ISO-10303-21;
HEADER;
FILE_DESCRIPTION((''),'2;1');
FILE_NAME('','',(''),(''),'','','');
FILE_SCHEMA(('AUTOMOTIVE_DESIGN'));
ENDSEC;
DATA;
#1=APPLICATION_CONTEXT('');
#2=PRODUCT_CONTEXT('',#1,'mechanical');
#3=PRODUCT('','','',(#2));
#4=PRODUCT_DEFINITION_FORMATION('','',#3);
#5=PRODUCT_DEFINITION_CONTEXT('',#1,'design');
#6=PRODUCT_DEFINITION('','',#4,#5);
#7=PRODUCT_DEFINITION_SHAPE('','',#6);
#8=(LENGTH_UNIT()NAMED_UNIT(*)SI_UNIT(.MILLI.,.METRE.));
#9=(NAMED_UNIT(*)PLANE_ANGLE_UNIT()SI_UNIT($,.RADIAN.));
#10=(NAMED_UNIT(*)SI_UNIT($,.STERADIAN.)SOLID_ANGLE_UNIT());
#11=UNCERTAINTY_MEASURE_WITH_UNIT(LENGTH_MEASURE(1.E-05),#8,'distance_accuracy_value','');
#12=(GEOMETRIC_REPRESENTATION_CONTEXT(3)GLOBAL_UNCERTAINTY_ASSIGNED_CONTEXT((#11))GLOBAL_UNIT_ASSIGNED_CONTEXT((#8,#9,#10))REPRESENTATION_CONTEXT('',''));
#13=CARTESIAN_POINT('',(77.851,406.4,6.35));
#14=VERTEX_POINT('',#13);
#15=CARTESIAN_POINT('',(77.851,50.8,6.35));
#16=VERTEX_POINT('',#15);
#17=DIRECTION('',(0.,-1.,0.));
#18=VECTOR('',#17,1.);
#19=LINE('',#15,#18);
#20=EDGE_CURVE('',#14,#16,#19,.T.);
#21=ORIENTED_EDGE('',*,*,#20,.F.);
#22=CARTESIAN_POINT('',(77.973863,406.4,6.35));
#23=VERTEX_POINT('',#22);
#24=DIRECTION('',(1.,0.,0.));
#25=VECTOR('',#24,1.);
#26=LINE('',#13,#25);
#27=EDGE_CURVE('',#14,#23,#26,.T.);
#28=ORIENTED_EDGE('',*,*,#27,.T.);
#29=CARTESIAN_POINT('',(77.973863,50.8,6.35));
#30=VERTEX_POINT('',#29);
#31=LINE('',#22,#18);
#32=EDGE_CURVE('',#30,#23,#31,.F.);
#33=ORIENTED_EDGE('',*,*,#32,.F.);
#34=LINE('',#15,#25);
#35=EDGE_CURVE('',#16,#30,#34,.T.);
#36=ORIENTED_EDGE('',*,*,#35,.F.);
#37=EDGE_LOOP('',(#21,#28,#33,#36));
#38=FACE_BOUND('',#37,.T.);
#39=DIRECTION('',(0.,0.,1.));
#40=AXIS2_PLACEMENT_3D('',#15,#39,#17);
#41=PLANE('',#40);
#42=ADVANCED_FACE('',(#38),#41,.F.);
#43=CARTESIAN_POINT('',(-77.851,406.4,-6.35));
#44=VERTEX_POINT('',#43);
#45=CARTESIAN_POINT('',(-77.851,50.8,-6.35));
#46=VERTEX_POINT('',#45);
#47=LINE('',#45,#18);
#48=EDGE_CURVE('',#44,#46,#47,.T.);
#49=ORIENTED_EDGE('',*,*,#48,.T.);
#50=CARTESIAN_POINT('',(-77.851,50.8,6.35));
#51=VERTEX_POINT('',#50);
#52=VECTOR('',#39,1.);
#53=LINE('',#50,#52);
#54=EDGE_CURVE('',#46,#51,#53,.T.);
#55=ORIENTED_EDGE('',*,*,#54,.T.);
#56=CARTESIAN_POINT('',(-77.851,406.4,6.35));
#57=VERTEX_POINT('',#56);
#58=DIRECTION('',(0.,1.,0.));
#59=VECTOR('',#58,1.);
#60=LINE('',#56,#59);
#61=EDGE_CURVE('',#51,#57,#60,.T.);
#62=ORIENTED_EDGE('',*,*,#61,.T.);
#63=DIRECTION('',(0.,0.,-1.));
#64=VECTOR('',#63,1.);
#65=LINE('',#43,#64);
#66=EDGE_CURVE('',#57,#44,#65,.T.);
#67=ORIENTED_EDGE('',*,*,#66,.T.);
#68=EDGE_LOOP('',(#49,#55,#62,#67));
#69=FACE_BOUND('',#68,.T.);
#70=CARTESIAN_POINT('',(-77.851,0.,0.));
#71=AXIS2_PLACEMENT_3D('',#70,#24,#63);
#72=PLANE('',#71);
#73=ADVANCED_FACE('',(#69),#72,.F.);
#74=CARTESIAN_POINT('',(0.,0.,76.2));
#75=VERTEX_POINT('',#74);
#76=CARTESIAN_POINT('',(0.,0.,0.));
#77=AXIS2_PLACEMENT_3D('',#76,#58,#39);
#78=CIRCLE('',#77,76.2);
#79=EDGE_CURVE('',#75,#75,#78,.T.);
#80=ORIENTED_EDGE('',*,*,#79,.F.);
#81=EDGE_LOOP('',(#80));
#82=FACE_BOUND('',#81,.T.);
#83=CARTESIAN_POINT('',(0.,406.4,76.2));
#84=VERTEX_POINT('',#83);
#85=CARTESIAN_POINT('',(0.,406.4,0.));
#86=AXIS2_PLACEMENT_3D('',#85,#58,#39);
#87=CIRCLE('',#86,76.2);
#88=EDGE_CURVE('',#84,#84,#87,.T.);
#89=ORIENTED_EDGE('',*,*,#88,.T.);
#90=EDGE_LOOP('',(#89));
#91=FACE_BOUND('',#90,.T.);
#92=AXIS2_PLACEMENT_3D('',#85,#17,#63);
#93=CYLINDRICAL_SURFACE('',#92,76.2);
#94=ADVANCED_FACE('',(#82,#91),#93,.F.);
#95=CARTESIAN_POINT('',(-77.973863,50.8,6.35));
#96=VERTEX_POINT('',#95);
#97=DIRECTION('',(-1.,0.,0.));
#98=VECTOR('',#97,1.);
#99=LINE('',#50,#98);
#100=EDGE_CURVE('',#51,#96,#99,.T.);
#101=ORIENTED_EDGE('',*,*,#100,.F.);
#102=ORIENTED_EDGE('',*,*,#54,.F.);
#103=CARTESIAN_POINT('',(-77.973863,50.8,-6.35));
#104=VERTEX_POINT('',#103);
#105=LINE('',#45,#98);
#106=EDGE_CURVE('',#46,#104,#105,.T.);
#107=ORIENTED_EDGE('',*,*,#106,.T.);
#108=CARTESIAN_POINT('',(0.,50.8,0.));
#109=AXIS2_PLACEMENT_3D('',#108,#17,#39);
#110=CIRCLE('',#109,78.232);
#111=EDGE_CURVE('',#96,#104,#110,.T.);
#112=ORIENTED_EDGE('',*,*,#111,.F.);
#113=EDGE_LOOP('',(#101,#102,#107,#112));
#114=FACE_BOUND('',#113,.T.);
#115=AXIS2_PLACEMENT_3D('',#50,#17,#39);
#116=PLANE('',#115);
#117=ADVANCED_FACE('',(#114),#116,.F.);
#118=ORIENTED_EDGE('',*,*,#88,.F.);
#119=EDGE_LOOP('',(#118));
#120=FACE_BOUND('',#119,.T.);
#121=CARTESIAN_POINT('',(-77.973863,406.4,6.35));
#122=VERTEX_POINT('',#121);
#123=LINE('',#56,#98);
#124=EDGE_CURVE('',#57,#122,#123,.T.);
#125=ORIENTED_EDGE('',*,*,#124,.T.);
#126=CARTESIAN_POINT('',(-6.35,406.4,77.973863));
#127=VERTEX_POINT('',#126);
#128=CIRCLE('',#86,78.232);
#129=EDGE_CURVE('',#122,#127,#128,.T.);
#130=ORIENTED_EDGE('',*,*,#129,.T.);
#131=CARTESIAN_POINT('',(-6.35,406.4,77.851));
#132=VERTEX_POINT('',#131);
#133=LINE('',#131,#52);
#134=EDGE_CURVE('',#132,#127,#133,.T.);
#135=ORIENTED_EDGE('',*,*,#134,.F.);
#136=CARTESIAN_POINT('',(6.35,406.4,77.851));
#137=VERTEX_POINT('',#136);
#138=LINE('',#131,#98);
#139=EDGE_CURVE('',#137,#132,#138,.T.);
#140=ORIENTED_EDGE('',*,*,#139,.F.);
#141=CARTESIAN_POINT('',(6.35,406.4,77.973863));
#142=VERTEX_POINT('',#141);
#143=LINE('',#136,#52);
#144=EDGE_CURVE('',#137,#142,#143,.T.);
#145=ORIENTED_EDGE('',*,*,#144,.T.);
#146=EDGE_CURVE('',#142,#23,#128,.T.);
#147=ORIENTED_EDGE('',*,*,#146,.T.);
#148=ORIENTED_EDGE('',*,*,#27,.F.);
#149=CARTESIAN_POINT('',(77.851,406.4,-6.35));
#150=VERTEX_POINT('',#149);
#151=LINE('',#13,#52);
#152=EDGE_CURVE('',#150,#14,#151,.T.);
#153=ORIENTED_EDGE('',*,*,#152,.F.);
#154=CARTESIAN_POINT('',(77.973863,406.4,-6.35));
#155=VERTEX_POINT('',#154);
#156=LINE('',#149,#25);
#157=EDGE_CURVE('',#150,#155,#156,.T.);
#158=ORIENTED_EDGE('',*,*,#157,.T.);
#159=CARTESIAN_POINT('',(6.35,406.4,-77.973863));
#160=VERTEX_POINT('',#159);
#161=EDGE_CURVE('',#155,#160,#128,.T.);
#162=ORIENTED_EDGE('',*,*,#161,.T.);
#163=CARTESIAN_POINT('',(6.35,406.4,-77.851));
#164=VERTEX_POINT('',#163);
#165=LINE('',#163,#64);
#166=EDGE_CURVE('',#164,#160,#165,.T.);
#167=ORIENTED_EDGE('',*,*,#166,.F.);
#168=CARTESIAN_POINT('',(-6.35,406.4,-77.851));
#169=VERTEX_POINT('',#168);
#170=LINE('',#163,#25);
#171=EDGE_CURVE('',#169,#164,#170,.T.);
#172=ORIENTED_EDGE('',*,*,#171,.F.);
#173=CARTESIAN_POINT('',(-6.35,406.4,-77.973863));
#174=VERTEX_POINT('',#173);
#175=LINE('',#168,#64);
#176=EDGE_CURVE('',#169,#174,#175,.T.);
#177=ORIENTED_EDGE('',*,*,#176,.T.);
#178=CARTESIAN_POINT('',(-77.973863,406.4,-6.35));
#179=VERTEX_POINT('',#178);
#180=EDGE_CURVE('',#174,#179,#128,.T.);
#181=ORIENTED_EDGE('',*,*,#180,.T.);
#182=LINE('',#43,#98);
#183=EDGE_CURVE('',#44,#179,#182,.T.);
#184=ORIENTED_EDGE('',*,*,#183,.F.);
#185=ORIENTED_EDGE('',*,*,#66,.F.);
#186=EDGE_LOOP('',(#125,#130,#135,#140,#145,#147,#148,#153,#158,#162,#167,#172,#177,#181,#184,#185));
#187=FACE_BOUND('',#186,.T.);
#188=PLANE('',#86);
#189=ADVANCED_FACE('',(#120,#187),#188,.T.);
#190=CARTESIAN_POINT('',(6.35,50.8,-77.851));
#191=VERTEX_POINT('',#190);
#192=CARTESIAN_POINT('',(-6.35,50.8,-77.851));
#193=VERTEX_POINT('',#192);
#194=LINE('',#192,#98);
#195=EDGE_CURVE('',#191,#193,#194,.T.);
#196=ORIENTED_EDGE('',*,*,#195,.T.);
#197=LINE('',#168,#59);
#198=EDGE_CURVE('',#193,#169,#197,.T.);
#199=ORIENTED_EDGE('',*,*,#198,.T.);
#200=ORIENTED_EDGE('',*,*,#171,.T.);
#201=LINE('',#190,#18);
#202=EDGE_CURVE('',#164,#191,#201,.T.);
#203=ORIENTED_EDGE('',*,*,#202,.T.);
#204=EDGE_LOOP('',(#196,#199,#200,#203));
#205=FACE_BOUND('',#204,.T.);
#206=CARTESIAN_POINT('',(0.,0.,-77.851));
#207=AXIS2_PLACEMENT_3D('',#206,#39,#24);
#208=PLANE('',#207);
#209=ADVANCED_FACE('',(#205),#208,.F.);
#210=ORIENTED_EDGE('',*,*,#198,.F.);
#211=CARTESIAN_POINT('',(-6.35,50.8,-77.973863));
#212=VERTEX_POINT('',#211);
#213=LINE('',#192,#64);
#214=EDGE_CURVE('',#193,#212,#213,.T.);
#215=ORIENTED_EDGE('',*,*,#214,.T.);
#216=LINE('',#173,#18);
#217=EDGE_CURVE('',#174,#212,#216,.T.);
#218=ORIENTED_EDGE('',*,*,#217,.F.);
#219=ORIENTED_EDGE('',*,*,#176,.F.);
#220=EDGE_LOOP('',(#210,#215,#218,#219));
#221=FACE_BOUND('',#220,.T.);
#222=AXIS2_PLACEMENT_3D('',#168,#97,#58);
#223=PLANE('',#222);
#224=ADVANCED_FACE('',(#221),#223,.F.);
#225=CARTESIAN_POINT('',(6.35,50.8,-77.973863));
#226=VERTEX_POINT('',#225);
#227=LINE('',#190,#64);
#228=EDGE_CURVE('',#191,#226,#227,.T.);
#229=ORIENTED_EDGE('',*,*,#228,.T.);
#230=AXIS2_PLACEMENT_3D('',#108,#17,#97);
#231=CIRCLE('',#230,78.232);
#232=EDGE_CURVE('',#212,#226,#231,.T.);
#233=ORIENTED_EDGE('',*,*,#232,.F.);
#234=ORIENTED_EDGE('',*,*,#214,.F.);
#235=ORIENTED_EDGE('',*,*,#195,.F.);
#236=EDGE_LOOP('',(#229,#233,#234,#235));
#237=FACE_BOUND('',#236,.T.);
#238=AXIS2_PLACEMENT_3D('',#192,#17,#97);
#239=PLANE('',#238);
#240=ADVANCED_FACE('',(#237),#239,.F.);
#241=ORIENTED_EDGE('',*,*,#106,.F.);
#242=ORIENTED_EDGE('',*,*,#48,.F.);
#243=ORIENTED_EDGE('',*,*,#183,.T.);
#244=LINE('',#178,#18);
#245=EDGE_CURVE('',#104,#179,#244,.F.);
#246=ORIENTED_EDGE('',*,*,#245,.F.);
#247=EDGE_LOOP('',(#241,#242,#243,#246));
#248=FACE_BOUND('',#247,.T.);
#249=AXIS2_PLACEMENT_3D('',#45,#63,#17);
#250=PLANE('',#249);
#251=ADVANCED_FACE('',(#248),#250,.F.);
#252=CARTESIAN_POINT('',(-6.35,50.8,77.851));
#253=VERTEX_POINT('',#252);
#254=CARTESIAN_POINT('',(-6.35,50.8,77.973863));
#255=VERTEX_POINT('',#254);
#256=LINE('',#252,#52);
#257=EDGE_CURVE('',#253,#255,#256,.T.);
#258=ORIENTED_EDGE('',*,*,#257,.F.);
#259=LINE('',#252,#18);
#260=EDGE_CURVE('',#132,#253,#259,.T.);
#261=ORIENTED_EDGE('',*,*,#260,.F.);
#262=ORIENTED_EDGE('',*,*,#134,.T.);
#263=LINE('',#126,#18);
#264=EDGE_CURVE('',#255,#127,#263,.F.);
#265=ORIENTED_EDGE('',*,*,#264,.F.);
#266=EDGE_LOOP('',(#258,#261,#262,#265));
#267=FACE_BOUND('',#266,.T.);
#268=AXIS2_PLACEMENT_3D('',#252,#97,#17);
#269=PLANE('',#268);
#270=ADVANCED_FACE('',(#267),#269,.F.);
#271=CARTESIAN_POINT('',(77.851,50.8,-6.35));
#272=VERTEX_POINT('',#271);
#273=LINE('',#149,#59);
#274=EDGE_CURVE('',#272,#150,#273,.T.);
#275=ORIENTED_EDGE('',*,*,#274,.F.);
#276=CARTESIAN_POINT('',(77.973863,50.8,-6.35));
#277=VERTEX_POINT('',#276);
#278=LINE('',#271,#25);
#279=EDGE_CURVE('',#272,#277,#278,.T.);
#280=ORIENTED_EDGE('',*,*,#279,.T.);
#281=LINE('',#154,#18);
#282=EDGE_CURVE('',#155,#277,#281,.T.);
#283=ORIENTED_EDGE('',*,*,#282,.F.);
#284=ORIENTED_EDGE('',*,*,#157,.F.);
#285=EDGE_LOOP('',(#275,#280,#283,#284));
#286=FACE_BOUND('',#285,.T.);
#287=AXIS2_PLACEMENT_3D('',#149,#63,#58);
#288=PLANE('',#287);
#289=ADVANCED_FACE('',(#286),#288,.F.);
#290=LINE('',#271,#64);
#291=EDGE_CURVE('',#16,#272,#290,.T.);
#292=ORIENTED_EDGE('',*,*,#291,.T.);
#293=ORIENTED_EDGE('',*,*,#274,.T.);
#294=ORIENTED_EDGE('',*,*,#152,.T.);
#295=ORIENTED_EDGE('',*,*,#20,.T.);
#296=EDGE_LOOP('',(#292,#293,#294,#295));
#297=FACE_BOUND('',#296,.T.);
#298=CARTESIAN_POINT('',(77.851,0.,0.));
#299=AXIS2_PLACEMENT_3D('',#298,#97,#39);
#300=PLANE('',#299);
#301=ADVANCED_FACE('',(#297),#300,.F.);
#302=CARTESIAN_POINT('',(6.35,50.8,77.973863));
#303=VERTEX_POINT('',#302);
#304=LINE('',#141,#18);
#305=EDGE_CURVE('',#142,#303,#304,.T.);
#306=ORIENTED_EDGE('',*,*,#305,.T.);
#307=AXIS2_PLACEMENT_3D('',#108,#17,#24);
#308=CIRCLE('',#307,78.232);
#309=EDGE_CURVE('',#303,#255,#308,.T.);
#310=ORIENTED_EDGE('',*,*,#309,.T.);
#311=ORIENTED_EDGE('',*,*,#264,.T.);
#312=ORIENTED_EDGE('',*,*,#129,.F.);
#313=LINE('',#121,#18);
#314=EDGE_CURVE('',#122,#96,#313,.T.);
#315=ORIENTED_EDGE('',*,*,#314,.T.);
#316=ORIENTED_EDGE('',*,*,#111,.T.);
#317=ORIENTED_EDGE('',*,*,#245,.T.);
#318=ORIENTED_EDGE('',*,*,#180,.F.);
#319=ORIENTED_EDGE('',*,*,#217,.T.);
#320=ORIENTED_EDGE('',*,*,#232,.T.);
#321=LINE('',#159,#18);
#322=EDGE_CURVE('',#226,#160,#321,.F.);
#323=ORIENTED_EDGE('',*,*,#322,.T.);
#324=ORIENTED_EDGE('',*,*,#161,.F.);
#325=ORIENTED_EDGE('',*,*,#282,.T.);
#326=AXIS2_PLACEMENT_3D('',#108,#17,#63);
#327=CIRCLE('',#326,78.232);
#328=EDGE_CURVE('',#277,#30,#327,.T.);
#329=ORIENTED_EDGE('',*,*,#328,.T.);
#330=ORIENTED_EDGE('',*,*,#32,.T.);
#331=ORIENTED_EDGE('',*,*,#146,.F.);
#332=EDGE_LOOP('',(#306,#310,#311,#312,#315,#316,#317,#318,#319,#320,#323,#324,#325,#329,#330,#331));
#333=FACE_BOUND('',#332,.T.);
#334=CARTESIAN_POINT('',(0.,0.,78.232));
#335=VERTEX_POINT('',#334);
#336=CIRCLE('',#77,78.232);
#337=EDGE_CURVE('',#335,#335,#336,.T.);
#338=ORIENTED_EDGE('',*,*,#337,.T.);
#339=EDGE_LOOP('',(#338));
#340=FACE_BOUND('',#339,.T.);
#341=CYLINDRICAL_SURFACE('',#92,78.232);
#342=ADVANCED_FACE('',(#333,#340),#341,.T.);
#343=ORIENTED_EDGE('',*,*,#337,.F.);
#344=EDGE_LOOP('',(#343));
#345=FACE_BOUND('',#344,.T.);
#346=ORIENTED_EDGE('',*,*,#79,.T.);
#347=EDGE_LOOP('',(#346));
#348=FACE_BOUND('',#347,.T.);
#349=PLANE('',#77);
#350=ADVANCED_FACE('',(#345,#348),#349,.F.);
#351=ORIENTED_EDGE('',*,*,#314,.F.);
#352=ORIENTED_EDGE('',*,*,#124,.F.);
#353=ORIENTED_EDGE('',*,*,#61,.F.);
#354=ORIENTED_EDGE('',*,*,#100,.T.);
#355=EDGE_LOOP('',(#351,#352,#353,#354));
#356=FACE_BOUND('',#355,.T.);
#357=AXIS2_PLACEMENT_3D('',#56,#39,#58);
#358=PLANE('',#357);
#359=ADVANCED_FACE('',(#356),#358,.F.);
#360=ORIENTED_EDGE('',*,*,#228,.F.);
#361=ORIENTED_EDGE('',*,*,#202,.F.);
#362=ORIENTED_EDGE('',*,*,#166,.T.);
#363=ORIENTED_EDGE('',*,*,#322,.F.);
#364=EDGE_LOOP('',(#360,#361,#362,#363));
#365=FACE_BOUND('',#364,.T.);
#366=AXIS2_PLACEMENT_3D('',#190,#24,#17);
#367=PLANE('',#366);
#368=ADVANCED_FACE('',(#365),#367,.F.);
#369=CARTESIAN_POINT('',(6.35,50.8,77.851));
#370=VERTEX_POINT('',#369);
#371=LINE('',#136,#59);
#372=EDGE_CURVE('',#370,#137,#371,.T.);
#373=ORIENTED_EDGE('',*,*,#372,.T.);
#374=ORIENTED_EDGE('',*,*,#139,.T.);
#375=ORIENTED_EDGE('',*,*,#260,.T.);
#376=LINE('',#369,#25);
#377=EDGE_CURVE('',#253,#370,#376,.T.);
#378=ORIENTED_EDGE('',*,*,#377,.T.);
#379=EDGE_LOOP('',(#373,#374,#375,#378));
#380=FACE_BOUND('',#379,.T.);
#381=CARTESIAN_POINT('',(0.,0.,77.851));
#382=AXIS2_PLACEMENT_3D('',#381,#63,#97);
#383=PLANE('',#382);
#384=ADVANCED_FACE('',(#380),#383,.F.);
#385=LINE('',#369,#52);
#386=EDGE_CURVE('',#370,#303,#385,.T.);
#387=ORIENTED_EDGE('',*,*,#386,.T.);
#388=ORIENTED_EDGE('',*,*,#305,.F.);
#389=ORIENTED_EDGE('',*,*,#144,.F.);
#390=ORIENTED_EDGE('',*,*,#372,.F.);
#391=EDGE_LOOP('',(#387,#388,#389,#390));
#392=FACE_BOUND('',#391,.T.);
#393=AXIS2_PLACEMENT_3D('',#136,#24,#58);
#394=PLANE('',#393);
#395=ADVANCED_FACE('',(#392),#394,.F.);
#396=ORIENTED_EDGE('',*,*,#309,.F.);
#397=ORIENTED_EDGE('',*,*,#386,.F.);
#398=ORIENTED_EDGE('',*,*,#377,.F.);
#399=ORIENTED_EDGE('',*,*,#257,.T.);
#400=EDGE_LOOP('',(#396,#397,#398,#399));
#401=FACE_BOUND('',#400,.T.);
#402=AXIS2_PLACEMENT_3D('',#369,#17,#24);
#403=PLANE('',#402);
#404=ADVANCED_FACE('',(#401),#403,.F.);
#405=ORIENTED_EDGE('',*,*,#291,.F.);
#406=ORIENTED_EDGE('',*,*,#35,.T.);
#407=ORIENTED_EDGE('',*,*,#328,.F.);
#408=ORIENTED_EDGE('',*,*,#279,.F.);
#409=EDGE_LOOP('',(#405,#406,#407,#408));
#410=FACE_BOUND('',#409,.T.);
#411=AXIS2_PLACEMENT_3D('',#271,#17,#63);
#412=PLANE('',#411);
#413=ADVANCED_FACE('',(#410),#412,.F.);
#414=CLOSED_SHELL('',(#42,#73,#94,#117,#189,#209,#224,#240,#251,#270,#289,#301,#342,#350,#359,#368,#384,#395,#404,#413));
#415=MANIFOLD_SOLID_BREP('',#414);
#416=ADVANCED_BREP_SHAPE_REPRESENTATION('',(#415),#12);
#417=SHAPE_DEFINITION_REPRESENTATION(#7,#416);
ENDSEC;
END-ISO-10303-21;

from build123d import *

# Parameters (mm, degrees)
SKETCH1_R           = 78.232
SKETCH1_R_2         = 76.2
BOSS_EXTRUDE1_DEPTH = 406.4
CUT_EXTRUDE1_DEPTH  = 0.381
CIRPATTERN1_COUNT   = 4


with BuildPart() as part:
    # Sketch1 → Boss-Extrude1 (new body)
    with BuildSketch(Plane(origin=(0, 0, 0), x_dir=(1, 0, 0), z_dir=(0, 1, 0))):
        with Locations(Location((0, 0, 0), (0, 0, 270))):
            Circle(SKETCH1_R)
        with Locations(Location((0, 0, 0), (0, 0, 270))):
            Circle(SKETCH1_R_2, mode=Mode.SUBTRACT)
    extrude(amount=BOSS_EXTRUDE1_DEPTH)

    # Sketch2 → Cut-Extrude1 (cut)
    with BuildSketch(Plane(origin=(78.232, 0, 0), x_dir=(0, 0, -1), z_dir=(1, 0, 0))):
        Polygon((0, 406.4), (6.35, 406.4), (6.35, 50.8), (-6.35, 50.8), (-6.35, 406.4), align=None)
    cut_extrude1 = extrude(amount=-CUT_EXTRUDE1_DEPTH, mode=Mode.SUBTRACT)

    # CirPattern1: Cut-Extrude1 ×4 about axis
    cirpattern1_axis = Axis((0, 0, 0), (0, 1, 0))
    for i in range(1, CIRPATTERN1_COUNT):
        add(cut_extrude1.rotate(cirpattern1_axis, i * 360 / CIRPATTERN1_COUNT), mode=Mode.SUBTRACT)


solid = part.part
